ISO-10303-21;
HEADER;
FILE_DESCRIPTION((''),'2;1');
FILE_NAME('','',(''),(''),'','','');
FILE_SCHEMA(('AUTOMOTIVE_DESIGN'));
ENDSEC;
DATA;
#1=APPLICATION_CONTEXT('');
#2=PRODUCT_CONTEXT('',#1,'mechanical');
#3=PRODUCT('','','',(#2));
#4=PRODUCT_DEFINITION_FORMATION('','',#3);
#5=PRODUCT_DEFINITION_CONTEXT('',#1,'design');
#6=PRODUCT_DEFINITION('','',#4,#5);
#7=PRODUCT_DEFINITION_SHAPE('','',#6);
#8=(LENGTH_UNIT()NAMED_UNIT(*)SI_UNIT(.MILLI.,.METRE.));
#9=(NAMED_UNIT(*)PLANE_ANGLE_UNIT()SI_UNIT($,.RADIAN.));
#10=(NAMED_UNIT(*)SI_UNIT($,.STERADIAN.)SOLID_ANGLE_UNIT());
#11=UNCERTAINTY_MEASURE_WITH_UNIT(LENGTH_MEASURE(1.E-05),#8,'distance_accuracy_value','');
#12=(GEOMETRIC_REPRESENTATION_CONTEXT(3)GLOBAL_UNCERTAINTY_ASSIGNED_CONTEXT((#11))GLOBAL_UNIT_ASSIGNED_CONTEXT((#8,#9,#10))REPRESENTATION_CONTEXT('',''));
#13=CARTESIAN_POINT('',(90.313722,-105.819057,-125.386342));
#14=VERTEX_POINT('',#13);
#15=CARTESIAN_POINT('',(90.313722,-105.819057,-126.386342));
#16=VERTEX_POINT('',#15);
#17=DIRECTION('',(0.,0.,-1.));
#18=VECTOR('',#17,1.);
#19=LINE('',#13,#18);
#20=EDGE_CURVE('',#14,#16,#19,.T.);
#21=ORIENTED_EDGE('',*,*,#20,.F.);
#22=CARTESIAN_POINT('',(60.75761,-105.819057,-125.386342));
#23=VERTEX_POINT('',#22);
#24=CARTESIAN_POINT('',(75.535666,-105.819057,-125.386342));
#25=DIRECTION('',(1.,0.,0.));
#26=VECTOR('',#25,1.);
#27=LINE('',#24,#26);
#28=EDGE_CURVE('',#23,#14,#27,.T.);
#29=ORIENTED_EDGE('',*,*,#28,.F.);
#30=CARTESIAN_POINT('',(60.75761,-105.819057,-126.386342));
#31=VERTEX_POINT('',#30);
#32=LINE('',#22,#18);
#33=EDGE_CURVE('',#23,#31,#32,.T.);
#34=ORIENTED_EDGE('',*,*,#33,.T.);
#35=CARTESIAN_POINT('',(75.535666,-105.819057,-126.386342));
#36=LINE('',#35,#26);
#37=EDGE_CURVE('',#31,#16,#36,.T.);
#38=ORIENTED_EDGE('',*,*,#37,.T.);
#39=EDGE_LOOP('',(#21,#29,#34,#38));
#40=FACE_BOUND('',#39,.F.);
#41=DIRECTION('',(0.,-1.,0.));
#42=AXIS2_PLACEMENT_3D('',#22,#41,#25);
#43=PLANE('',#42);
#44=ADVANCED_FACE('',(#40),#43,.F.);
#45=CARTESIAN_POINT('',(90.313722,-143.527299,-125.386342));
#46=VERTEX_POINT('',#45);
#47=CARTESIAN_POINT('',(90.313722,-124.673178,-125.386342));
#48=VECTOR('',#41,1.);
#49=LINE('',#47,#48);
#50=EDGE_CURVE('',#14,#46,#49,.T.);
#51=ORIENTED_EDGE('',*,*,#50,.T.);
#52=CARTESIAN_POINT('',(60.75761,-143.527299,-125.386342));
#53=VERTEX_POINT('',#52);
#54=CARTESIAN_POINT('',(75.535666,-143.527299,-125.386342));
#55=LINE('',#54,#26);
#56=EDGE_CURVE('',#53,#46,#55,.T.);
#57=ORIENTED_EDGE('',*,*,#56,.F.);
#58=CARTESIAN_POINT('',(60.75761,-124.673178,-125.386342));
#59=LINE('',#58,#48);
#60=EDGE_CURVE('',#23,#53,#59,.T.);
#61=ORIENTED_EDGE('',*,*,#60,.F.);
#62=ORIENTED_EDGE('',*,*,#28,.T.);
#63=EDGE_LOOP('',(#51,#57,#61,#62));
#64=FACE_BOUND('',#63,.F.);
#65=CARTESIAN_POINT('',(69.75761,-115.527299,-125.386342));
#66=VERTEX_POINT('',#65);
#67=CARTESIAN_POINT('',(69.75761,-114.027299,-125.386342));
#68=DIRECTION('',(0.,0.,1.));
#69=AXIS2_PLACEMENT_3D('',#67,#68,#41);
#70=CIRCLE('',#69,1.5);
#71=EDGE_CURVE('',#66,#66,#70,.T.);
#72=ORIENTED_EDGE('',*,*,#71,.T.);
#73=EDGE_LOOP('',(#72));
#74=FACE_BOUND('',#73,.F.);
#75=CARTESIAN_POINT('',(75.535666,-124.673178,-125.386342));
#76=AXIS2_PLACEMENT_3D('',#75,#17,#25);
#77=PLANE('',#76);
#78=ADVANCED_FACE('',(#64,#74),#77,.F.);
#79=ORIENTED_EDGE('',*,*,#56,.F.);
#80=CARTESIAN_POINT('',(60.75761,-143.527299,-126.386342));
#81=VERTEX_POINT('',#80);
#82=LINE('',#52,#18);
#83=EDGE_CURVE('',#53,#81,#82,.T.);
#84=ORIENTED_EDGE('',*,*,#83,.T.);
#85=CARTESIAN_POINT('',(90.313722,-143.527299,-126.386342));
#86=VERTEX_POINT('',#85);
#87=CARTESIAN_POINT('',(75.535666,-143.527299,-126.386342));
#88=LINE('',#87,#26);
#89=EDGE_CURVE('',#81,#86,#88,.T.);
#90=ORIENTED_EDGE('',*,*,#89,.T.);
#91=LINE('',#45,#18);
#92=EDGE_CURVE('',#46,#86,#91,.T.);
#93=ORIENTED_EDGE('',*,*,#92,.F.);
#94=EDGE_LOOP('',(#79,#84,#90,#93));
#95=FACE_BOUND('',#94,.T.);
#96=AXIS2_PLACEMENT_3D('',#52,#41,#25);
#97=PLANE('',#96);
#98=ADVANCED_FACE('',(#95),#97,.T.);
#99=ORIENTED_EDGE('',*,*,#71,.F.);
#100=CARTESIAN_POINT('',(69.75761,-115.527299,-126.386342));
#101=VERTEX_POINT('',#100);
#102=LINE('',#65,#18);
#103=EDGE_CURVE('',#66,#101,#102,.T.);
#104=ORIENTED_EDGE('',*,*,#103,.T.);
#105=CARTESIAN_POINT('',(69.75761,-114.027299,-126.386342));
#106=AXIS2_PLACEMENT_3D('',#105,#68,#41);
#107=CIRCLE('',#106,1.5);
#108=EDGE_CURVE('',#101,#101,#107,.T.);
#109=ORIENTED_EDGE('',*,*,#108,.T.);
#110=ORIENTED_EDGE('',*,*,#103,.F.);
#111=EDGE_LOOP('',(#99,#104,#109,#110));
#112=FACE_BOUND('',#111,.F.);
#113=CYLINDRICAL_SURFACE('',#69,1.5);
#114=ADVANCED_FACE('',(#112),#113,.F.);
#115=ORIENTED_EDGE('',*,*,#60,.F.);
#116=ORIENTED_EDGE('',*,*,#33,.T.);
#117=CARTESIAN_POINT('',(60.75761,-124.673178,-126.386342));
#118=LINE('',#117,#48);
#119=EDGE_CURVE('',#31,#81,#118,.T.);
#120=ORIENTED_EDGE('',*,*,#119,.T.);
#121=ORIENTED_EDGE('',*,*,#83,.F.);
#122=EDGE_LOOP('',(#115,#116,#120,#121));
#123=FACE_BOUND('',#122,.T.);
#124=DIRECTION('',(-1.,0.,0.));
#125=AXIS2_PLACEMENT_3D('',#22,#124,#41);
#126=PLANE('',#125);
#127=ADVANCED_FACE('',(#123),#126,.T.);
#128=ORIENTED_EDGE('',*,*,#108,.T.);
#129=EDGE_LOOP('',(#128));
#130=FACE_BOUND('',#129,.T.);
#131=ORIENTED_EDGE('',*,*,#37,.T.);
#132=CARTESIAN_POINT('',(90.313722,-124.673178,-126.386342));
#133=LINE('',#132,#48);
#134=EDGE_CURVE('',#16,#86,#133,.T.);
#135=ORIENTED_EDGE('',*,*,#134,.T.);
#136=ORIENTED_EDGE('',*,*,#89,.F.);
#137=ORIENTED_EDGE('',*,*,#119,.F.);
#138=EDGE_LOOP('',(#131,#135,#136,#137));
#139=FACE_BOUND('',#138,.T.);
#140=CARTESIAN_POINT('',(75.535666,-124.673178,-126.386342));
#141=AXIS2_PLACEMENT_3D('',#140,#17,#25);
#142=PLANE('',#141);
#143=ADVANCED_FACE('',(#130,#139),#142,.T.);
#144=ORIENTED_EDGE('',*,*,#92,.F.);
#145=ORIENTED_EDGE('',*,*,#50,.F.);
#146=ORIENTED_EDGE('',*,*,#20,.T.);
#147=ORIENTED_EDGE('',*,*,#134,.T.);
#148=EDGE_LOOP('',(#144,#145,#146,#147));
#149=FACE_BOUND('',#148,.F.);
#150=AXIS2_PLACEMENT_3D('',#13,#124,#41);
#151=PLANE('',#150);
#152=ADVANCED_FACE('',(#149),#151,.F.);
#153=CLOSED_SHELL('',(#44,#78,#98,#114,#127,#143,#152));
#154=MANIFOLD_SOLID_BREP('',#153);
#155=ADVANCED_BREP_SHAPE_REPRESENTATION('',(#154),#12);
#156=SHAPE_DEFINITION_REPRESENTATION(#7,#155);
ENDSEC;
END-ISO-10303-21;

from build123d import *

# Parameters (mm, degrees)
CIRCLE_R           = 1.5
EXTRUSION002_DEPTH = 51.281793
RECTANGLE_W        = 29.556112
RECTANGLE_H        = 37.708242
EXTRUSION001_DEPTH = 1


with BuildPart() as extrusion002:
    # Circle (on Extrusion) → Extrusion002 (new body)
    with BuildSketch(Plane(origin=(69.75761, -114.027299, -125.386342), x_dir=(0, -1, 0), z_dir=(0, 0, 1))):
        Circle(CIRCLE_R)
    extrude(amount=-EXTRUSION002_DEPTH)


with BuildPart() as cut001:
    # Rectangle (on Cut) → Extrusion001 (new body)
    with BuildSketch(Plane(origin=(60.75761, -105.819057, -125.386342), x_dir=(1, 0, 0), z_dir=(0, 0, -1))):
        with Locations((14.778056, 18.854121)):
            Rectangle(RECTANGLE_W, RECTANGLE_H)
    extrude(amount=EXTRUSION001_DEPTH)

    # Cut001: cut Extrusion002
    add(extrusion002.part, mode=Mode.SUBTRACT)


solid = cut001.part
